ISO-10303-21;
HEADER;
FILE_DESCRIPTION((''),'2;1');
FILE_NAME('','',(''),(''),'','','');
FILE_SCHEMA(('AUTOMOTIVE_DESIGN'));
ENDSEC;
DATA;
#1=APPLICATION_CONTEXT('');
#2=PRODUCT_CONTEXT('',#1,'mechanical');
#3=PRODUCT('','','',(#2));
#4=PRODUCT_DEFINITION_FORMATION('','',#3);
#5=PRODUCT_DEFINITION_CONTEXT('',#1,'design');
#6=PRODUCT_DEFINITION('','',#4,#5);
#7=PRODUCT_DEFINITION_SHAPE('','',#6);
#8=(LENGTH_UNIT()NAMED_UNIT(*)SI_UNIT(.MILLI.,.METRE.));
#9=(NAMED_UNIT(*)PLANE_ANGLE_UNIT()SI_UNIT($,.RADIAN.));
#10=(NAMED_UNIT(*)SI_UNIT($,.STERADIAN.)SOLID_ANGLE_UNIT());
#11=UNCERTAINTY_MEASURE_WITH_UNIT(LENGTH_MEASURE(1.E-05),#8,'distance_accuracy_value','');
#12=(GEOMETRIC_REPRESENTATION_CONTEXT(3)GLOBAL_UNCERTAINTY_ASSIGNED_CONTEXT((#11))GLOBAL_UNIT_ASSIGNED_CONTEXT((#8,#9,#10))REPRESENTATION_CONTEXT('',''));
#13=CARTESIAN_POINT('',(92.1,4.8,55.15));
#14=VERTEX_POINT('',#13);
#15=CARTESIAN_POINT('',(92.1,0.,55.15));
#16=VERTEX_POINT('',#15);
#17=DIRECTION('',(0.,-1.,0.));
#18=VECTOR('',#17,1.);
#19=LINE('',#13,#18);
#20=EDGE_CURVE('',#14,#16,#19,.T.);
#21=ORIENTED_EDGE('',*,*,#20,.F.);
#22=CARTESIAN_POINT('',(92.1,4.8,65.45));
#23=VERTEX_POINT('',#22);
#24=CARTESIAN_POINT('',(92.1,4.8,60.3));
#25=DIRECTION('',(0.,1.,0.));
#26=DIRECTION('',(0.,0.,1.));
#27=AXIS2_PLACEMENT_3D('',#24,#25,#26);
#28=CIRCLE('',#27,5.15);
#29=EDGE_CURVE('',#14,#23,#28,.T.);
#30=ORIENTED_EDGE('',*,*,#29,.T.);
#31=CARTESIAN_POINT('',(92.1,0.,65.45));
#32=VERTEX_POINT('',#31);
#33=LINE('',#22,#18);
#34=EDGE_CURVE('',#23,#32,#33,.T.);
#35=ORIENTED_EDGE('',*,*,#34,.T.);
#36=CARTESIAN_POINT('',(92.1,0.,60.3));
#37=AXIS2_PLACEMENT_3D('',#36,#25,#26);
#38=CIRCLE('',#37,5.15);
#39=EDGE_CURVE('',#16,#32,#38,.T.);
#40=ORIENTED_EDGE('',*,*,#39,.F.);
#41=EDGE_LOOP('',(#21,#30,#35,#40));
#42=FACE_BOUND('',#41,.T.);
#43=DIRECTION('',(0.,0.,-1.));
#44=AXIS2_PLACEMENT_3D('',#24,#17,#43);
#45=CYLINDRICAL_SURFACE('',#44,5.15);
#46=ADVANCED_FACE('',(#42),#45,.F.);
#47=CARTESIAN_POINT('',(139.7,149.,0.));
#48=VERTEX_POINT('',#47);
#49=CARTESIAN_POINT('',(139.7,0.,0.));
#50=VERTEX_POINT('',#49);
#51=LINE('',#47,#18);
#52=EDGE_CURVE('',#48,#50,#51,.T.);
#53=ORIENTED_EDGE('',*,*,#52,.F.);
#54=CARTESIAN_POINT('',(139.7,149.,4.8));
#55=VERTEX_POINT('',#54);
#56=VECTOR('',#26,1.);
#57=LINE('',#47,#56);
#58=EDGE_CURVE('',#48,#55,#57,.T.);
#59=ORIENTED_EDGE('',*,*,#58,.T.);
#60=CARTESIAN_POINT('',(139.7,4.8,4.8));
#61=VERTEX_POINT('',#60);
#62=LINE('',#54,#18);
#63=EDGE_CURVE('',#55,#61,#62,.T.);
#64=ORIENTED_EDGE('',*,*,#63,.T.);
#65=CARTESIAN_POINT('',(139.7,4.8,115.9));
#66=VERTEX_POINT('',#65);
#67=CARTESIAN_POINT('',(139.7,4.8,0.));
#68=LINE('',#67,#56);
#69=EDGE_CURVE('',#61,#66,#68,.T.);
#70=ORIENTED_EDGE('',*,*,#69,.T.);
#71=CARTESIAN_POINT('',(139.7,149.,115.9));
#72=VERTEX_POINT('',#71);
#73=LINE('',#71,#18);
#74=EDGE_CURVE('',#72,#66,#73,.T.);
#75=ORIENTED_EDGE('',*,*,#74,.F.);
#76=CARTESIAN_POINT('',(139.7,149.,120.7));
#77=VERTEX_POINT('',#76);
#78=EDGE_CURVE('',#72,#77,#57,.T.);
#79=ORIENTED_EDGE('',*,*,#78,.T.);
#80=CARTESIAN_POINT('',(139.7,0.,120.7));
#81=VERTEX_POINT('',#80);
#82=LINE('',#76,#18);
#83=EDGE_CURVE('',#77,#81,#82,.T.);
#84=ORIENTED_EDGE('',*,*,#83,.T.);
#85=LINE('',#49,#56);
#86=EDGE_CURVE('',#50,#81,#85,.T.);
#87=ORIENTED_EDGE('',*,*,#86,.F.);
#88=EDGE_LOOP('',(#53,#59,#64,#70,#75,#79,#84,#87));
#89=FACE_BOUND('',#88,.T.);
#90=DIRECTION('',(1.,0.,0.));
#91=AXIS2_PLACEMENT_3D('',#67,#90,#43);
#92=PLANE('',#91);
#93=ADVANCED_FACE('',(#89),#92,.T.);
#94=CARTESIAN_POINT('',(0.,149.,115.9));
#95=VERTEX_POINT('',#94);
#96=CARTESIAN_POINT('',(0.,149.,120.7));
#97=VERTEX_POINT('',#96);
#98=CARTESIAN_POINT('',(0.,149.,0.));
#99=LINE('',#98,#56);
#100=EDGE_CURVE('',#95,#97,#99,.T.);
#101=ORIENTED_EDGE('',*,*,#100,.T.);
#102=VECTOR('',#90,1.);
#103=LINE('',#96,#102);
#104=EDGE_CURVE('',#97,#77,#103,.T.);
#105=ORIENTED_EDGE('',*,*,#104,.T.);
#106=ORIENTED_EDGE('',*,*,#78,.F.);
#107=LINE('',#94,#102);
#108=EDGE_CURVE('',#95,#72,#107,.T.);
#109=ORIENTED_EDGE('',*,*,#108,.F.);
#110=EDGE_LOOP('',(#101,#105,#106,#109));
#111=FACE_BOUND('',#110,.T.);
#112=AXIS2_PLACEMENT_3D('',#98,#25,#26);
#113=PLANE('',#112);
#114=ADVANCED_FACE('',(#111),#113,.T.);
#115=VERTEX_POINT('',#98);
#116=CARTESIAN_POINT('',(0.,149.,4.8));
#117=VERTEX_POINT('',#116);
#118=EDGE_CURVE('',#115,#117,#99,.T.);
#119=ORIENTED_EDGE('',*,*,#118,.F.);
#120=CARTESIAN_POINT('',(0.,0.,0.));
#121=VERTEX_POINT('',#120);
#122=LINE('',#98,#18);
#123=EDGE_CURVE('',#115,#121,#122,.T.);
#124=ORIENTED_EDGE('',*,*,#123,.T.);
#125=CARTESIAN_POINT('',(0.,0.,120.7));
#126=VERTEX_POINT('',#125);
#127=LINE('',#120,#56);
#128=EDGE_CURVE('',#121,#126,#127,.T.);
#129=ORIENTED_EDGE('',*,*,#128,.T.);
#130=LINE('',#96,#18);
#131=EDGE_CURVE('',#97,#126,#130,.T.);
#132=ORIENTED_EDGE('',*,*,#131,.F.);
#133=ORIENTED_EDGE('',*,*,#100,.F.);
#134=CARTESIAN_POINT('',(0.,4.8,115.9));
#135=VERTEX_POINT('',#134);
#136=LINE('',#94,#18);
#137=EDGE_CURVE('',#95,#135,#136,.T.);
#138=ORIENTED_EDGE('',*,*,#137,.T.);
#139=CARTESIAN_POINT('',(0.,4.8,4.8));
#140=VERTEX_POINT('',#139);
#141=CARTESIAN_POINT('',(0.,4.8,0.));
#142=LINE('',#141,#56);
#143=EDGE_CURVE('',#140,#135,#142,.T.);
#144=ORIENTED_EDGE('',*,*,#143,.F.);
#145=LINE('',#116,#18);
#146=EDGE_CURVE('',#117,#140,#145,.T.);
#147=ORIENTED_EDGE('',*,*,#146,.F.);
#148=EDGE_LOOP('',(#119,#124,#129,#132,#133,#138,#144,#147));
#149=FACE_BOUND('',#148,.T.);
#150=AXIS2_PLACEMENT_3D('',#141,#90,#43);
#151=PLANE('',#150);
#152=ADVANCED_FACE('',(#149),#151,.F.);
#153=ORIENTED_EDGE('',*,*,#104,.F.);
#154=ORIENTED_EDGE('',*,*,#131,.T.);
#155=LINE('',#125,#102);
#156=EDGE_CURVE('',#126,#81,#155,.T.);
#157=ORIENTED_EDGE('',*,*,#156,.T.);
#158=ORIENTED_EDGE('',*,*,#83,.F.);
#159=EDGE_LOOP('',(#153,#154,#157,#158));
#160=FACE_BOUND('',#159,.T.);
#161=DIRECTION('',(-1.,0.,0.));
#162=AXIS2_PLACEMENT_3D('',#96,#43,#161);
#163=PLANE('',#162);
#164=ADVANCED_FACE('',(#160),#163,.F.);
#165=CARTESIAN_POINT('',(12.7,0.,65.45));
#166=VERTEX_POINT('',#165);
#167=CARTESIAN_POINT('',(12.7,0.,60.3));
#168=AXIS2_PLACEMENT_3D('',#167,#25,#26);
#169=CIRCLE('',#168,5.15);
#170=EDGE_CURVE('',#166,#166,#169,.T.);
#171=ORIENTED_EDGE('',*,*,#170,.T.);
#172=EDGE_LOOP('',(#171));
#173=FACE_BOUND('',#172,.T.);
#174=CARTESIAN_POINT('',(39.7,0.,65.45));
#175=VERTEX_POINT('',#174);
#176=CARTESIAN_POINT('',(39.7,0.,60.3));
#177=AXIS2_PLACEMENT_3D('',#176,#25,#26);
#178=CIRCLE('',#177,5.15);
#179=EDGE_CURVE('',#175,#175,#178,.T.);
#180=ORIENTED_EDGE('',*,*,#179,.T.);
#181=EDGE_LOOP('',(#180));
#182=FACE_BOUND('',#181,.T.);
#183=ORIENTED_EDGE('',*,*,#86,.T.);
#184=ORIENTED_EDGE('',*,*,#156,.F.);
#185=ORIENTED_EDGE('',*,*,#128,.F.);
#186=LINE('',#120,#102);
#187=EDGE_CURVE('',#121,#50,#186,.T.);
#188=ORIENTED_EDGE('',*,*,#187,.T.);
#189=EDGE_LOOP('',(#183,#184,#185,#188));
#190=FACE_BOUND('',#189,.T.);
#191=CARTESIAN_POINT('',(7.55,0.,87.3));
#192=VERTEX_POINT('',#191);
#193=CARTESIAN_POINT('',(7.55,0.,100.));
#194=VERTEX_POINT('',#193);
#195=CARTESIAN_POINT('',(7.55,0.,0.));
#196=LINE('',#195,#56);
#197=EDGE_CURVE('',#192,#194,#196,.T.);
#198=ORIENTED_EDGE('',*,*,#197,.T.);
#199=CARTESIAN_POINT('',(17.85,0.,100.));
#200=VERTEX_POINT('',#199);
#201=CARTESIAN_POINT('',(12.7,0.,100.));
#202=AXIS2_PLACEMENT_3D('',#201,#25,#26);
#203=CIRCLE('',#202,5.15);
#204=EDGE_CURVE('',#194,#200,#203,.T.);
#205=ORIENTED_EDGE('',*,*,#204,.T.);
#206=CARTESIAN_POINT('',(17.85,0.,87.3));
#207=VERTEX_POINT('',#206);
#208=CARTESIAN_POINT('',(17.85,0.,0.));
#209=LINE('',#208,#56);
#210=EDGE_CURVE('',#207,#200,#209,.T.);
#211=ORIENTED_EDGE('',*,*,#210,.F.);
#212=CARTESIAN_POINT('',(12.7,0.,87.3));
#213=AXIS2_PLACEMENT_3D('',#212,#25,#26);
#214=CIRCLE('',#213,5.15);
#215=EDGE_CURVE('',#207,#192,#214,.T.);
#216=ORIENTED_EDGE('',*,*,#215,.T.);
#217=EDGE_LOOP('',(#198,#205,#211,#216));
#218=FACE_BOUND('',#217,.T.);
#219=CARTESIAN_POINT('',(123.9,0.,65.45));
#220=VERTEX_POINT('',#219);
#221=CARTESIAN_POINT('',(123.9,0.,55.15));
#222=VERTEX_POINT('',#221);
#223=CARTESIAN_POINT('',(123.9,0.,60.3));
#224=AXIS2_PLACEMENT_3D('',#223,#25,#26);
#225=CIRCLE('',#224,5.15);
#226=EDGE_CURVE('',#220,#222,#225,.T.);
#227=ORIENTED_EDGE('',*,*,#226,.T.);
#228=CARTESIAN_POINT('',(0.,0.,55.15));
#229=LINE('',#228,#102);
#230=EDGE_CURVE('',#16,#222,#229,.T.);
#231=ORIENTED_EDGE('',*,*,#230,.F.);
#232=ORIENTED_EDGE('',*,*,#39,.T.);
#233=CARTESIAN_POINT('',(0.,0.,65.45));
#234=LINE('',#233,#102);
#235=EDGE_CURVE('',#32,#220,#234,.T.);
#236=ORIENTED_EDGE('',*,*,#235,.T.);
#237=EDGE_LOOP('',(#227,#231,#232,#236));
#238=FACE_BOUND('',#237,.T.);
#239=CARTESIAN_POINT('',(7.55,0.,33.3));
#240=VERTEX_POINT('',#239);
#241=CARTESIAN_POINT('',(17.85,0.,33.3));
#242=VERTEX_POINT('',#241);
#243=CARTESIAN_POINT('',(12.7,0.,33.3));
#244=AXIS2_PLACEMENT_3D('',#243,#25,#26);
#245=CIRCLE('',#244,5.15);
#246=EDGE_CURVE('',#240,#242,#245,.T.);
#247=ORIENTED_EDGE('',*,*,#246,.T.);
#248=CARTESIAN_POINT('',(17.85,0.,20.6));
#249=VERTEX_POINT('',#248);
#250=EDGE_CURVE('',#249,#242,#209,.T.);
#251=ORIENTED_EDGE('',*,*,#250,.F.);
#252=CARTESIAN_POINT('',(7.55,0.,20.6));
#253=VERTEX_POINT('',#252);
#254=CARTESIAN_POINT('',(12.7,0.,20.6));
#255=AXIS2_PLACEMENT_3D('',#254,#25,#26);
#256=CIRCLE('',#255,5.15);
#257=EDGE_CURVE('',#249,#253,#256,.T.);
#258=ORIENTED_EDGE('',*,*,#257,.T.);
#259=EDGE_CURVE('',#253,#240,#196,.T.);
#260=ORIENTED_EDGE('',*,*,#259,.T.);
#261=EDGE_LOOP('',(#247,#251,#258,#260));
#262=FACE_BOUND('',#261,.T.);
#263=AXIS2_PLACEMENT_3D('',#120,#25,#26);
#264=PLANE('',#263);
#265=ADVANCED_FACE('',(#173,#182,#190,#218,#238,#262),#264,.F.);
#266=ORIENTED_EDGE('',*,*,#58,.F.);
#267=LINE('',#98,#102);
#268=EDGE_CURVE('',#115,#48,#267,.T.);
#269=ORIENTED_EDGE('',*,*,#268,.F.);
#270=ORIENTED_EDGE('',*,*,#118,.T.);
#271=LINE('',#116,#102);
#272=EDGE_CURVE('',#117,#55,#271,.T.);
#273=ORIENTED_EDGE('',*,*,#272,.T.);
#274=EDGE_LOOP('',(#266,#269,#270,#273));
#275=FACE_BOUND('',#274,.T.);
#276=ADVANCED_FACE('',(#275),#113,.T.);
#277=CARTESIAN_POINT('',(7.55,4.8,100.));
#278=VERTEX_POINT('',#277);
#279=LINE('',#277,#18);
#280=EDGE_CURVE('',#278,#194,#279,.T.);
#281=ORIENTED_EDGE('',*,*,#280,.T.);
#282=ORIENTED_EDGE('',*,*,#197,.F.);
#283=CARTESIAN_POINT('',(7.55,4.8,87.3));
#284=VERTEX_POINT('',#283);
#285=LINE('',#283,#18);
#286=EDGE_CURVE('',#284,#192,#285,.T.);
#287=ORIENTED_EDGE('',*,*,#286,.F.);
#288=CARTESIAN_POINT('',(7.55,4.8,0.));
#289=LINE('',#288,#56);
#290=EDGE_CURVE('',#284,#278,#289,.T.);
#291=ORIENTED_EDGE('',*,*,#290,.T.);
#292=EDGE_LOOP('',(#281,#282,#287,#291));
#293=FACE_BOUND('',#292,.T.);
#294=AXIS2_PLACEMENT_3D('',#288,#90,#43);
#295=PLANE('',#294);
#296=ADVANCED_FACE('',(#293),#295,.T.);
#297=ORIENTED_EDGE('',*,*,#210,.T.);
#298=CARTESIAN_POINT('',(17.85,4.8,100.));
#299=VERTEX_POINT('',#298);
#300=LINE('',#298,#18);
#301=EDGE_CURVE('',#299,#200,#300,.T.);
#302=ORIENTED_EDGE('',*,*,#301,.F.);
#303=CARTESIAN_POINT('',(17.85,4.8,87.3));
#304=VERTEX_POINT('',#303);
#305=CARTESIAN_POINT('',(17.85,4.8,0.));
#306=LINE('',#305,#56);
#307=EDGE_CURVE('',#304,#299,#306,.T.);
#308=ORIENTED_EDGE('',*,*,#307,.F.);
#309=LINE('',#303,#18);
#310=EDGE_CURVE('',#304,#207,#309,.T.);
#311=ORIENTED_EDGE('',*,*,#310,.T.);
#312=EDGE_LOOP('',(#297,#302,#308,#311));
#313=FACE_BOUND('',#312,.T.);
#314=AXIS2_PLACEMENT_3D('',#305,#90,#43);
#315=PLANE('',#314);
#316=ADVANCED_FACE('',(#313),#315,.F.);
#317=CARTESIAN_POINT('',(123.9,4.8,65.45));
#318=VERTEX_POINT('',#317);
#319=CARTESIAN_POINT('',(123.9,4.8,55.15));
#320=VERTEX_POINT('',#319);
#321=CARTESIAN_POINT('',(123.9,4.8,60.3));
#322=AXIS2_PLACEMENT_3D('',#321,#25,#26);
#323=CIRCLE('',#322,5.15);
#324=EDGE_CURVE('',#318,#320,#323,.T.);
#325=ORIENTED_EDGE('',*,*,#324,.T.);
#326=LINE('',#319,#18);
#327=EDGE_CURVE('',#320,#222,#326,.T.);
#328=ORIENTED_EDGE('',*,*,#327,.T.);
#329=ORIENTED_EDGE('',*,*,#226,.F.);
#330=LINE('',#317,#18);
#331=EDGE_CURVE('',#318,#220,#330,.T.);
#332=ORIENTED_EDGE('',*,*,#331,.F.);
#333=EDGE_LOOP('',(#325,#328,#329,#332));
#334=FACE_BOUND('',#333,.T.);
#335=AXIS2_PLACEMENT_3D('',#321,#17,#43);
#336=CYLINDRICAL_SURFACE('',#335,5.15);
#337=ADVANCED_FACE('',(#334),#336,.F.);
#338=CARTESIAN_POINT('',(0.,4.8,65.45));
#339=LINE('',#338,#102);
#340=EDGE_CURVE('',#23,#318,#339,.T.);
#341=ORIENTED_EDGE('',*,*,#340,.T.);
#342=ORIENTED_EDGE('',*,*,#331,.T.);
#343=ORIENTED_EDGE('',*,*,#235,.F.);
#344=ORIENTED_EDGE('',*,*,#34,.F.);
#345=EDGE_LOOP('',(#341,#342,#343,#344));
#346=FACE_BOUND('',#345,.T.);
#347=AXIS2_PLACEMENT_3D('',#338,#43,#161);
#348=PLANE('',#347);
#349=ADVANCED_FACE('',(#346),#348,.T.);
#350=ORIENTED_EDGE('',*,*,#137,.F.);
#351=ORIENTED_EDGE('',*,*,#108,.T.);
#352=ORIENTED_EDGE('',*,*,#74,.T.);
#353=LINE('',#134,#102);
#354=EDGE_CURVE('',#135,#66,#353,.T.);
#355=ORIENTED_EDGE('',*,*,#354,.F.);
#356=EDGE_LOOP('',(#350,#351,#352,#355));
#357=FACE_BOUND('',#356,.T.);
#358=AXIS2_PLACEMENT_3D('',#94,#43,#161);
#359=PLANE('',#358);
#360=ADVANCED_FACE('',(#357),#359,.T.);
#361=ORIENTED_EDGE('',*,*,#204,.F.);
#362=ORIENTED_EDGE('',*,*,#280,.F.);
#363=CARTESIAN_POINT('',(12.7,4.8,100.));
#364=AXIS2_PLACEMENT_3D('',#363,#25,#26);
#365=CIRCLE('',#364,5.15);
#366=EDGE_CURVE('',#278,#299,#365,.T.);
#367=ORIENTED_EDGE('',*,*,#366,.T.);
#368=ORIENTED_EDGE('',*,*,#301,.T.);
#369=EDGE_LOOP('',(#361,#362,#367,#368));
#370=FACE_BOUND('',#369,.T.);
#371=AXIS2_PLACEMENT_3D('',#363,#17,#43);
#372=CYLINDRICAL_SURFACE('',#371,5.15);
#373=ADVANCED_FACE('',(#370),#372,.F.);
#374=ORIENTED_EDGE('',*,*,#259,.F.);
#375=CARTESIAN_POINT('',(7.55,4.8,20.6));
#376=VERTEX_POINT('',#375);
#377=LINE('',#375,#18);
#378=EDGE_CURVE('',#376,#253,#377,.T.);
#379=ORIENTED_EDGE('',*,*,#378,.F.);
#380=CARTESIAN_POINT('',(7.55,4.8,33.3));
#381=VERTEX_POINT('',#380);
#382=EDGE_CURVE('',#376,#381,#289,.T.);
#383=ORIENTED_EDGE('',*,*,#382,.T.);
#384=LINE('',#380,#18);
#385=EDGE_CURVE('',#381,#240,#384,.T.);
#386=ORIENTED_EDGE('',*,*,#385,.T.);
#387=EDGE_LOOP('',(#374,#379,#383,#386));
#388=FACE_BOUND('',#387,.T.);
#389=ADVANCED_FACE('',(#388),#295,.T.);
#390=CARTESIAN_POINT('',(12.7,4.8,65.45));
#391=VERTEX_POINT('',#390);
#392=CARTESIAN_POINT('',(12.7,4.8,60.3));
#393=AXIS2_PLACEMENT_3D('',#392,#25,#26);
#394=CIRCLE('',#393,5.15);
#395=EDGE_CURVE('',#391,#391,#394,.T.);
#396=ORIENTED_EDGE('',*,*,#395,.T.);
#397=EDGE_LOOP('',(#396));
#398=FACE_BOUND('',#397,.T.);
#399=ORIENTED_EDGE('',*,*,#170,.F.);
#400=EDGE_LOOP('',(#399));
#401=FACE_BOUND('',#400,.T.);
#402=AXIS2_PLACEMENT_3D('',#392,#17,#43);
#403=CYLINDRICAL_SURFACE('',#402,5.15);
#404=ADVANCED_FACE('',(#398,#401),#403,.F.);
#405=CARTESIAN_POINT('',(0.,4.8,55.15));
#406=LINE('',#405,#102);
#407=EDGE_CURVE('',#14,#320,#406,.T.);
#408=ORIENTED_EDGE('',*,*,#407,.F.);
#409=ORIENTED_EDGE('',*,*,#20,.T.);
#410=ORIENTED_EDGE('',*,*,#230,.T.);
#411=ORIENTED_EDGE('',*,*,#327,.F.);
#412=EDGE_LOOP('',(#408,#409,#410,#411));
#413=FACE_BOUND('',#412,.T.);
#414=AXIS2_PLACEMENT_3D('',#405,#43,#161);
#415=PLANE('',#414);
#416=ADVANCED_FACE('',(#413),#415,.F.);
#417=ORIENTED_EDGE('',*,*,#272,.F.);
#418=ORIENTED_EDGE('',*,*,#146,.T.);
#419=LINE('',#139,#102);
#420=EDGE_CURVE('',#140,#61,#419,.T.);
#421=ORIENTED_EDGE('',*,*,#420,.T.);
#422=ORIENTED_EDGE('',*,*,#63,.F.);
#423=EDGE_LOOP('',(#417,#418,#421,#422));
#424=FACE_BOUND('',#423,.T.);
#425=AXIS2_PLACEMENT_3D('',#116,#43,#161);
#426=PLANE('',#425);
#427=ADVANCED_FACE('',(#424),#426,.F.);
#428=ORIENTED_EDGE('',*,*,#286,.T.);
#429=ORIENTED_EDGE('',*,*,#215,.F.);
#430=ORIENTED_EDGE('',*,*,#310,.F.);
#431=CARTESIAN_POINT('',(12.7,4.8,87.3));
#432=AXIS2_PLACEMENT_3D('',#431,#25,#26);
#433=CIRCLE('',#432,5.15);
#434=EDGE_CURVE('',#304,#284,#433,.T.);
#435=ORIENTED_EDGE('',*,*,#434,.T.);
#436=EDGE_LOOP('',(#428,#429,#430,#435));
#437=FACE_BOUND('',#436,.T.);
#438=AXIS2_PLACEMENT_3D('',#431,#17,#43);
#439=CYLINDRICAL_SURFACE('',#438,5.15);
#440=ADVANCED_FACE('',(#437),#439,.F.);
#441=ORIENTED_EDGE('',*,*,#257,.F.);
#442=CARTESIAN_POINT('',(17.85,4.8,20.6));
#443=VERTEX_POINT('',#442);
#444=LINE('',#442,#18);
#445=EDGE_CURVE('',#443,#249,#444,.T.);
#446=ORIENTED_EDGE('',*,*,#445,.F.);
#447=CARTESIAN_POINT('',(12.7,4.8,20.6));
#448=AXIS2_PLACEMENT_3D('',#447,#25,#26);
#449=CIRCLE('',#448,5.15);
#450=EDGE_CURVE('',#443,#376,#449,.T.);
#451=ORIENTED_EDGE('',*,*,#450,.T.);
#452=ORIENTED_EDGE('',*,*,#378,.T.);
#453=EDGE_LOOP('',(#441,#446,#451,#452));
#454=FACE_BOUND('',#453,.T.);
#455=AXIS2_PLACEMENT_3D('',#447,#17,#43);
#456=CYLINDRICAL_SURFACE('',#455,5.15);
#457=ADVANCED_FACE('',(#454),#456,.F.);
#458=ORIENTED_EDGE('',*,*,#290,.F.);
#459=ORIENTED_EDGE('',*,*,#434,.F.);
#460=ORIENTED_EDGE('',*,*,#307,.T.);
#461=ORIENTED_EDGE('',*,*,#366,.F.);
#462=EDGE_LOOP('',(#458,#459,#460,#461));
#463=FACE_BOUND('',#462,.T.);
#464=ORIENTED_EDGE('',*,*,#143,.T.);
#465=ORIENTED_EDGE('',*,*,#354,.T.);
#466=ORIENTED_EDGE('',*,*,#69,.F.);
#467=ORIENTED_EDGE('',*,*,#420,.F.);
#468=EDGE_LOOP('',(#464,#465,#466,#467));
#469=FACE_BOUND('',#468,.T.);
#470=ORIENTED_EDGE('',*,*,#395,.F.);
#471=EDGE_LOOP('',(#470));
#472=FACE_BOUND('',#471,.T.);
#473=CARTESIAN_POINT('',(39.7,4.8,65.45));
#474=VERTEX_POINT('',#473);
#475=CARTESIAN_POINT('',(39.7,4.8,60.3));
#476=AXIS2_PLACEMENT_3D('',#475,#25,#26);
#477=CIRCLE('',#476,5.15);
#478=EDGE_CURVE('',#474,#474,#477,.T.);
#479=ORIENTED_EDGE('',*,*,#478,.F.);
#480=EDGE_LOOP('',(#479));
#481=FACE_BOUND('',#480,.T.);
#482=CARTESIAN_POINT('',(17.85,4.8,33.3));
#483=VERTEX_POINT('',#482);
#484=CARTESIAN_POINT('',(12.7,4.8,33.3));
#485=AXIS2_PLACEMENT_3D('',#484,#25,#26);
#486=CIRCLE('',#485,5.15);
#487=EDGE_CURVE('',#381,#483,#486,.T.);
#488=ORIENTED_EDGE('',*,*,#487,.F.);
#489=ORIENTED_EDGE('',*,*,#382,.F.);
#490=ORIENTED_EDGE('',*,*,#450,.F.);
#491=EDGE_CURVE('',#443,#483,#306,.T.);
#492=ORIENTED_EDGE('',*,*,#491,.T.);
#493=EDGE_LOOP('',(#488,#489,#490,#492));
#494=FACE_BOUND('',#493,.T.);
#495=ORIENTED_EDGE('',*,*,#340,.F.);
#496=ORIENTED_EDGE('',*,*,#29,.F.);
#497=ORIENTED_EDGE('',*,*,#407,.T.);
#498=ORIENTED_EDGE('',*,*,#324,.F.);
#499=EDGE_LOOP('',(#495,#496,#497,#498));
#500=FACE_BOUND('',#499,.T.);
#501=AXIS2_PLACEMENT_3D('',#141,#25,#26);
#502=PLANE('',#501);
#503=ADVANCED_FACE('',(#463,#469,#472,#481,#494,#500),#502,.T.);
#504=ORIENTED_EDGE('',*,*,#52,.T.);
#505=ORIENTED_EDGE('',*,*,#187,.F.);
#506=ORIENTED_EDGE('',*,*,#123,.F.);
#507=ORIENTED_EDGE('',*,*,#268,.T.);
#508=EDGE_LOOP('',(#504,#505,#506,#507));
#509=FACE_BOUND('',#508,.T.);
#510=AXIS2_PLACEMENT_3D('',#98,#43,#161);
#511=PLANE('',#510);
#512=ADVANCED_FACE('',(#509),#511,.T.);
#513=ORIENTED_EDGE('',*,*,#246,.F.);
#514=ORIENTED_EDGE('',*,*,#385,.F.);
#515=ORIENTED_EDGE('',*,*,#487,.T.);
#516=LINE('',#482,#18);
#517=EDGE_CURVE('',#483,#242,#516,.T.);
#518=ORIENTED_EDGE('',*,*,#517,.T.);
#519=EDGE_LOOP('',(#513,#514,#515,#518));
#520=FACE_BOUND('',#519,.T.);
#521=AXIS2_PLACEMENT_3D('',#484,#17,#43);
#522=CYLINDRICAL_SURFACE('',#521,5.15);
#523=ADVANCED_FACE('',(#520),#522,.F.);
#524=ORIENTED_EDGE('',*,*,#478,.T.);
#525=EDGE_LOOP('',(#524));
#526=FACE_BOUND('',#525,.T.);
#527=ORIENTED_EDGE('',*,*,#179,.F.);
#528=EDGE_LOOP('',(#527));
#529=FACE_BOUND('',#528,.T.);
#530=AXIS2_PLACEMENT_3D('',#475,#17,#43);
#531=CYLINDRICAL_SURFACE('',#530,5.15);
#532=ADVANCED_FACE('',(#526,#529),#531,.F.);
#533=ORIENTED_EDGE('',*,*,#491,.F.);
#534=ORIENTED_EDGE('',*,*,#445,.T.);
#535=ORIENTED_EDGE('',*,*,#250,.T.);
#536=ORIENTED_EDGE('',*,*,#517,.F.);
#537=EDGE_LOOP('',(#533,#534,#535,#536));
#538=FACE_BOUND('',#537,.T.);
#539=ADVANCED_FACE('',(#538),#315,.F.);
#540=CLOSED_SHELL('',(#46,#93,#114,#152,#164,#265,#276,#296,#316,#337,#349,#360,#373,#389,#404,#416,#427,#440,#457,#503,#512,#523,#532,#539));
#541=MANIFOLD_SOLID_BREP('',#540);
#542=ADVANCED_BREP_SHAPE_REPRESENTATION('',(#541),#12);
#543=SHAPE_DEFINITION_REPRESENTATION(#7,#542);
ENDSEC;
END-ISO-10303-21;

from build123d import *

# Parameters (mm, degrees)
SKETCH1_W           = 139.7
SKETCH1_H           = 111.1
SKETCH1_R           = 5.15
BOSS_EXTRUDE1_DEPTH = 4.8
SKETCH1_4_W         = 139.7
SKETCH1_4_H         = 4.8
BOSS_EXTRUDE2_DEPTH = 149


with BuildPart() as part:
    # Sketch1 → Boss-Extrude1 (new body)
    with BuildSketch(Plane(origin=(0, 0, 0), x_dir=(1, 0, 0), z_dir=(0, 1, 0))):
        with Locations((69.85, -60.35)):
            Rectangle(SKETCH1_W, SKETCH1_H)
        with BuildLine():
            ThreePointArc((7.55, -87.3), (12.7, -82.15), (17.85, -87.3))
            Line((17.85, -87.3), (17.85, -100))
            ThreePointArc((17.85, -100), (12.7, -105.15), (7.55, -100))
            Line((7.55, -100), (7.55, -87.3))
        make_face(mode=Mode.SUBTRACT)
        with Locations((12.7, -60.3)):
            Circle(SKETCH1_R, mode=Mode.SUBTRACT)
        with Locations((39.7, -60.3)):
            Circle(SKETCH1_R, mode=Mode.SUBTRACT)
        with BuildLine():
            Line((7.55, -33.3), (7.55, -20.6))
            ThreePointArc((7.55, -20.6), (12.7, -15.45), (17.85, -20.6))
            Line((17.85, -20.6), (17.85, -33.3))
            ThreePointArc((17.85, -33.3), (12.7, -38.45), (7.55, -33.3))
        make_face(mode=Mode.SUBTRACT)
        with BuildLine():
            ThreePointArc((92.1, -65.45), (86.95, -60.3), (92.1, -55.15))
            Line((92.1, -55.15), (123.9, -55.15))
            ThreePointArc((123.9, -55.15), (127.541599923, -56.658400077), (129.05, -60.3))
            ThreePointArc((129.05, -60.3), (127.541599923, -63.941599923), (123.9, -65.45))
            Line((123.9, -65.45), (92.1, -65.45))
        make_face(mode=Mode.SUBTRACT)
    extrude(amount=BOSS_EXTRUDE1_DEPTH)

    # Sketch1<4> → Boss-Extrude2 (add)
    with BuildSketch(Plane(origin=(0, 0, 0), x_dir=(1, 0, 0), z_dir=(0, 1, 0))):
        with Locations((69.85, -2.4)):
            Rectangle(SKETCH1_4_W, SKETCH1_4_H)
        with Locations((69.85, -118.3)):
            Rectangle(SKETCH1_4_W, SKETCH1_4_H)
    extrude(amount=BOSS_EXTRUDE2_DEPTH)


solid = part.part
